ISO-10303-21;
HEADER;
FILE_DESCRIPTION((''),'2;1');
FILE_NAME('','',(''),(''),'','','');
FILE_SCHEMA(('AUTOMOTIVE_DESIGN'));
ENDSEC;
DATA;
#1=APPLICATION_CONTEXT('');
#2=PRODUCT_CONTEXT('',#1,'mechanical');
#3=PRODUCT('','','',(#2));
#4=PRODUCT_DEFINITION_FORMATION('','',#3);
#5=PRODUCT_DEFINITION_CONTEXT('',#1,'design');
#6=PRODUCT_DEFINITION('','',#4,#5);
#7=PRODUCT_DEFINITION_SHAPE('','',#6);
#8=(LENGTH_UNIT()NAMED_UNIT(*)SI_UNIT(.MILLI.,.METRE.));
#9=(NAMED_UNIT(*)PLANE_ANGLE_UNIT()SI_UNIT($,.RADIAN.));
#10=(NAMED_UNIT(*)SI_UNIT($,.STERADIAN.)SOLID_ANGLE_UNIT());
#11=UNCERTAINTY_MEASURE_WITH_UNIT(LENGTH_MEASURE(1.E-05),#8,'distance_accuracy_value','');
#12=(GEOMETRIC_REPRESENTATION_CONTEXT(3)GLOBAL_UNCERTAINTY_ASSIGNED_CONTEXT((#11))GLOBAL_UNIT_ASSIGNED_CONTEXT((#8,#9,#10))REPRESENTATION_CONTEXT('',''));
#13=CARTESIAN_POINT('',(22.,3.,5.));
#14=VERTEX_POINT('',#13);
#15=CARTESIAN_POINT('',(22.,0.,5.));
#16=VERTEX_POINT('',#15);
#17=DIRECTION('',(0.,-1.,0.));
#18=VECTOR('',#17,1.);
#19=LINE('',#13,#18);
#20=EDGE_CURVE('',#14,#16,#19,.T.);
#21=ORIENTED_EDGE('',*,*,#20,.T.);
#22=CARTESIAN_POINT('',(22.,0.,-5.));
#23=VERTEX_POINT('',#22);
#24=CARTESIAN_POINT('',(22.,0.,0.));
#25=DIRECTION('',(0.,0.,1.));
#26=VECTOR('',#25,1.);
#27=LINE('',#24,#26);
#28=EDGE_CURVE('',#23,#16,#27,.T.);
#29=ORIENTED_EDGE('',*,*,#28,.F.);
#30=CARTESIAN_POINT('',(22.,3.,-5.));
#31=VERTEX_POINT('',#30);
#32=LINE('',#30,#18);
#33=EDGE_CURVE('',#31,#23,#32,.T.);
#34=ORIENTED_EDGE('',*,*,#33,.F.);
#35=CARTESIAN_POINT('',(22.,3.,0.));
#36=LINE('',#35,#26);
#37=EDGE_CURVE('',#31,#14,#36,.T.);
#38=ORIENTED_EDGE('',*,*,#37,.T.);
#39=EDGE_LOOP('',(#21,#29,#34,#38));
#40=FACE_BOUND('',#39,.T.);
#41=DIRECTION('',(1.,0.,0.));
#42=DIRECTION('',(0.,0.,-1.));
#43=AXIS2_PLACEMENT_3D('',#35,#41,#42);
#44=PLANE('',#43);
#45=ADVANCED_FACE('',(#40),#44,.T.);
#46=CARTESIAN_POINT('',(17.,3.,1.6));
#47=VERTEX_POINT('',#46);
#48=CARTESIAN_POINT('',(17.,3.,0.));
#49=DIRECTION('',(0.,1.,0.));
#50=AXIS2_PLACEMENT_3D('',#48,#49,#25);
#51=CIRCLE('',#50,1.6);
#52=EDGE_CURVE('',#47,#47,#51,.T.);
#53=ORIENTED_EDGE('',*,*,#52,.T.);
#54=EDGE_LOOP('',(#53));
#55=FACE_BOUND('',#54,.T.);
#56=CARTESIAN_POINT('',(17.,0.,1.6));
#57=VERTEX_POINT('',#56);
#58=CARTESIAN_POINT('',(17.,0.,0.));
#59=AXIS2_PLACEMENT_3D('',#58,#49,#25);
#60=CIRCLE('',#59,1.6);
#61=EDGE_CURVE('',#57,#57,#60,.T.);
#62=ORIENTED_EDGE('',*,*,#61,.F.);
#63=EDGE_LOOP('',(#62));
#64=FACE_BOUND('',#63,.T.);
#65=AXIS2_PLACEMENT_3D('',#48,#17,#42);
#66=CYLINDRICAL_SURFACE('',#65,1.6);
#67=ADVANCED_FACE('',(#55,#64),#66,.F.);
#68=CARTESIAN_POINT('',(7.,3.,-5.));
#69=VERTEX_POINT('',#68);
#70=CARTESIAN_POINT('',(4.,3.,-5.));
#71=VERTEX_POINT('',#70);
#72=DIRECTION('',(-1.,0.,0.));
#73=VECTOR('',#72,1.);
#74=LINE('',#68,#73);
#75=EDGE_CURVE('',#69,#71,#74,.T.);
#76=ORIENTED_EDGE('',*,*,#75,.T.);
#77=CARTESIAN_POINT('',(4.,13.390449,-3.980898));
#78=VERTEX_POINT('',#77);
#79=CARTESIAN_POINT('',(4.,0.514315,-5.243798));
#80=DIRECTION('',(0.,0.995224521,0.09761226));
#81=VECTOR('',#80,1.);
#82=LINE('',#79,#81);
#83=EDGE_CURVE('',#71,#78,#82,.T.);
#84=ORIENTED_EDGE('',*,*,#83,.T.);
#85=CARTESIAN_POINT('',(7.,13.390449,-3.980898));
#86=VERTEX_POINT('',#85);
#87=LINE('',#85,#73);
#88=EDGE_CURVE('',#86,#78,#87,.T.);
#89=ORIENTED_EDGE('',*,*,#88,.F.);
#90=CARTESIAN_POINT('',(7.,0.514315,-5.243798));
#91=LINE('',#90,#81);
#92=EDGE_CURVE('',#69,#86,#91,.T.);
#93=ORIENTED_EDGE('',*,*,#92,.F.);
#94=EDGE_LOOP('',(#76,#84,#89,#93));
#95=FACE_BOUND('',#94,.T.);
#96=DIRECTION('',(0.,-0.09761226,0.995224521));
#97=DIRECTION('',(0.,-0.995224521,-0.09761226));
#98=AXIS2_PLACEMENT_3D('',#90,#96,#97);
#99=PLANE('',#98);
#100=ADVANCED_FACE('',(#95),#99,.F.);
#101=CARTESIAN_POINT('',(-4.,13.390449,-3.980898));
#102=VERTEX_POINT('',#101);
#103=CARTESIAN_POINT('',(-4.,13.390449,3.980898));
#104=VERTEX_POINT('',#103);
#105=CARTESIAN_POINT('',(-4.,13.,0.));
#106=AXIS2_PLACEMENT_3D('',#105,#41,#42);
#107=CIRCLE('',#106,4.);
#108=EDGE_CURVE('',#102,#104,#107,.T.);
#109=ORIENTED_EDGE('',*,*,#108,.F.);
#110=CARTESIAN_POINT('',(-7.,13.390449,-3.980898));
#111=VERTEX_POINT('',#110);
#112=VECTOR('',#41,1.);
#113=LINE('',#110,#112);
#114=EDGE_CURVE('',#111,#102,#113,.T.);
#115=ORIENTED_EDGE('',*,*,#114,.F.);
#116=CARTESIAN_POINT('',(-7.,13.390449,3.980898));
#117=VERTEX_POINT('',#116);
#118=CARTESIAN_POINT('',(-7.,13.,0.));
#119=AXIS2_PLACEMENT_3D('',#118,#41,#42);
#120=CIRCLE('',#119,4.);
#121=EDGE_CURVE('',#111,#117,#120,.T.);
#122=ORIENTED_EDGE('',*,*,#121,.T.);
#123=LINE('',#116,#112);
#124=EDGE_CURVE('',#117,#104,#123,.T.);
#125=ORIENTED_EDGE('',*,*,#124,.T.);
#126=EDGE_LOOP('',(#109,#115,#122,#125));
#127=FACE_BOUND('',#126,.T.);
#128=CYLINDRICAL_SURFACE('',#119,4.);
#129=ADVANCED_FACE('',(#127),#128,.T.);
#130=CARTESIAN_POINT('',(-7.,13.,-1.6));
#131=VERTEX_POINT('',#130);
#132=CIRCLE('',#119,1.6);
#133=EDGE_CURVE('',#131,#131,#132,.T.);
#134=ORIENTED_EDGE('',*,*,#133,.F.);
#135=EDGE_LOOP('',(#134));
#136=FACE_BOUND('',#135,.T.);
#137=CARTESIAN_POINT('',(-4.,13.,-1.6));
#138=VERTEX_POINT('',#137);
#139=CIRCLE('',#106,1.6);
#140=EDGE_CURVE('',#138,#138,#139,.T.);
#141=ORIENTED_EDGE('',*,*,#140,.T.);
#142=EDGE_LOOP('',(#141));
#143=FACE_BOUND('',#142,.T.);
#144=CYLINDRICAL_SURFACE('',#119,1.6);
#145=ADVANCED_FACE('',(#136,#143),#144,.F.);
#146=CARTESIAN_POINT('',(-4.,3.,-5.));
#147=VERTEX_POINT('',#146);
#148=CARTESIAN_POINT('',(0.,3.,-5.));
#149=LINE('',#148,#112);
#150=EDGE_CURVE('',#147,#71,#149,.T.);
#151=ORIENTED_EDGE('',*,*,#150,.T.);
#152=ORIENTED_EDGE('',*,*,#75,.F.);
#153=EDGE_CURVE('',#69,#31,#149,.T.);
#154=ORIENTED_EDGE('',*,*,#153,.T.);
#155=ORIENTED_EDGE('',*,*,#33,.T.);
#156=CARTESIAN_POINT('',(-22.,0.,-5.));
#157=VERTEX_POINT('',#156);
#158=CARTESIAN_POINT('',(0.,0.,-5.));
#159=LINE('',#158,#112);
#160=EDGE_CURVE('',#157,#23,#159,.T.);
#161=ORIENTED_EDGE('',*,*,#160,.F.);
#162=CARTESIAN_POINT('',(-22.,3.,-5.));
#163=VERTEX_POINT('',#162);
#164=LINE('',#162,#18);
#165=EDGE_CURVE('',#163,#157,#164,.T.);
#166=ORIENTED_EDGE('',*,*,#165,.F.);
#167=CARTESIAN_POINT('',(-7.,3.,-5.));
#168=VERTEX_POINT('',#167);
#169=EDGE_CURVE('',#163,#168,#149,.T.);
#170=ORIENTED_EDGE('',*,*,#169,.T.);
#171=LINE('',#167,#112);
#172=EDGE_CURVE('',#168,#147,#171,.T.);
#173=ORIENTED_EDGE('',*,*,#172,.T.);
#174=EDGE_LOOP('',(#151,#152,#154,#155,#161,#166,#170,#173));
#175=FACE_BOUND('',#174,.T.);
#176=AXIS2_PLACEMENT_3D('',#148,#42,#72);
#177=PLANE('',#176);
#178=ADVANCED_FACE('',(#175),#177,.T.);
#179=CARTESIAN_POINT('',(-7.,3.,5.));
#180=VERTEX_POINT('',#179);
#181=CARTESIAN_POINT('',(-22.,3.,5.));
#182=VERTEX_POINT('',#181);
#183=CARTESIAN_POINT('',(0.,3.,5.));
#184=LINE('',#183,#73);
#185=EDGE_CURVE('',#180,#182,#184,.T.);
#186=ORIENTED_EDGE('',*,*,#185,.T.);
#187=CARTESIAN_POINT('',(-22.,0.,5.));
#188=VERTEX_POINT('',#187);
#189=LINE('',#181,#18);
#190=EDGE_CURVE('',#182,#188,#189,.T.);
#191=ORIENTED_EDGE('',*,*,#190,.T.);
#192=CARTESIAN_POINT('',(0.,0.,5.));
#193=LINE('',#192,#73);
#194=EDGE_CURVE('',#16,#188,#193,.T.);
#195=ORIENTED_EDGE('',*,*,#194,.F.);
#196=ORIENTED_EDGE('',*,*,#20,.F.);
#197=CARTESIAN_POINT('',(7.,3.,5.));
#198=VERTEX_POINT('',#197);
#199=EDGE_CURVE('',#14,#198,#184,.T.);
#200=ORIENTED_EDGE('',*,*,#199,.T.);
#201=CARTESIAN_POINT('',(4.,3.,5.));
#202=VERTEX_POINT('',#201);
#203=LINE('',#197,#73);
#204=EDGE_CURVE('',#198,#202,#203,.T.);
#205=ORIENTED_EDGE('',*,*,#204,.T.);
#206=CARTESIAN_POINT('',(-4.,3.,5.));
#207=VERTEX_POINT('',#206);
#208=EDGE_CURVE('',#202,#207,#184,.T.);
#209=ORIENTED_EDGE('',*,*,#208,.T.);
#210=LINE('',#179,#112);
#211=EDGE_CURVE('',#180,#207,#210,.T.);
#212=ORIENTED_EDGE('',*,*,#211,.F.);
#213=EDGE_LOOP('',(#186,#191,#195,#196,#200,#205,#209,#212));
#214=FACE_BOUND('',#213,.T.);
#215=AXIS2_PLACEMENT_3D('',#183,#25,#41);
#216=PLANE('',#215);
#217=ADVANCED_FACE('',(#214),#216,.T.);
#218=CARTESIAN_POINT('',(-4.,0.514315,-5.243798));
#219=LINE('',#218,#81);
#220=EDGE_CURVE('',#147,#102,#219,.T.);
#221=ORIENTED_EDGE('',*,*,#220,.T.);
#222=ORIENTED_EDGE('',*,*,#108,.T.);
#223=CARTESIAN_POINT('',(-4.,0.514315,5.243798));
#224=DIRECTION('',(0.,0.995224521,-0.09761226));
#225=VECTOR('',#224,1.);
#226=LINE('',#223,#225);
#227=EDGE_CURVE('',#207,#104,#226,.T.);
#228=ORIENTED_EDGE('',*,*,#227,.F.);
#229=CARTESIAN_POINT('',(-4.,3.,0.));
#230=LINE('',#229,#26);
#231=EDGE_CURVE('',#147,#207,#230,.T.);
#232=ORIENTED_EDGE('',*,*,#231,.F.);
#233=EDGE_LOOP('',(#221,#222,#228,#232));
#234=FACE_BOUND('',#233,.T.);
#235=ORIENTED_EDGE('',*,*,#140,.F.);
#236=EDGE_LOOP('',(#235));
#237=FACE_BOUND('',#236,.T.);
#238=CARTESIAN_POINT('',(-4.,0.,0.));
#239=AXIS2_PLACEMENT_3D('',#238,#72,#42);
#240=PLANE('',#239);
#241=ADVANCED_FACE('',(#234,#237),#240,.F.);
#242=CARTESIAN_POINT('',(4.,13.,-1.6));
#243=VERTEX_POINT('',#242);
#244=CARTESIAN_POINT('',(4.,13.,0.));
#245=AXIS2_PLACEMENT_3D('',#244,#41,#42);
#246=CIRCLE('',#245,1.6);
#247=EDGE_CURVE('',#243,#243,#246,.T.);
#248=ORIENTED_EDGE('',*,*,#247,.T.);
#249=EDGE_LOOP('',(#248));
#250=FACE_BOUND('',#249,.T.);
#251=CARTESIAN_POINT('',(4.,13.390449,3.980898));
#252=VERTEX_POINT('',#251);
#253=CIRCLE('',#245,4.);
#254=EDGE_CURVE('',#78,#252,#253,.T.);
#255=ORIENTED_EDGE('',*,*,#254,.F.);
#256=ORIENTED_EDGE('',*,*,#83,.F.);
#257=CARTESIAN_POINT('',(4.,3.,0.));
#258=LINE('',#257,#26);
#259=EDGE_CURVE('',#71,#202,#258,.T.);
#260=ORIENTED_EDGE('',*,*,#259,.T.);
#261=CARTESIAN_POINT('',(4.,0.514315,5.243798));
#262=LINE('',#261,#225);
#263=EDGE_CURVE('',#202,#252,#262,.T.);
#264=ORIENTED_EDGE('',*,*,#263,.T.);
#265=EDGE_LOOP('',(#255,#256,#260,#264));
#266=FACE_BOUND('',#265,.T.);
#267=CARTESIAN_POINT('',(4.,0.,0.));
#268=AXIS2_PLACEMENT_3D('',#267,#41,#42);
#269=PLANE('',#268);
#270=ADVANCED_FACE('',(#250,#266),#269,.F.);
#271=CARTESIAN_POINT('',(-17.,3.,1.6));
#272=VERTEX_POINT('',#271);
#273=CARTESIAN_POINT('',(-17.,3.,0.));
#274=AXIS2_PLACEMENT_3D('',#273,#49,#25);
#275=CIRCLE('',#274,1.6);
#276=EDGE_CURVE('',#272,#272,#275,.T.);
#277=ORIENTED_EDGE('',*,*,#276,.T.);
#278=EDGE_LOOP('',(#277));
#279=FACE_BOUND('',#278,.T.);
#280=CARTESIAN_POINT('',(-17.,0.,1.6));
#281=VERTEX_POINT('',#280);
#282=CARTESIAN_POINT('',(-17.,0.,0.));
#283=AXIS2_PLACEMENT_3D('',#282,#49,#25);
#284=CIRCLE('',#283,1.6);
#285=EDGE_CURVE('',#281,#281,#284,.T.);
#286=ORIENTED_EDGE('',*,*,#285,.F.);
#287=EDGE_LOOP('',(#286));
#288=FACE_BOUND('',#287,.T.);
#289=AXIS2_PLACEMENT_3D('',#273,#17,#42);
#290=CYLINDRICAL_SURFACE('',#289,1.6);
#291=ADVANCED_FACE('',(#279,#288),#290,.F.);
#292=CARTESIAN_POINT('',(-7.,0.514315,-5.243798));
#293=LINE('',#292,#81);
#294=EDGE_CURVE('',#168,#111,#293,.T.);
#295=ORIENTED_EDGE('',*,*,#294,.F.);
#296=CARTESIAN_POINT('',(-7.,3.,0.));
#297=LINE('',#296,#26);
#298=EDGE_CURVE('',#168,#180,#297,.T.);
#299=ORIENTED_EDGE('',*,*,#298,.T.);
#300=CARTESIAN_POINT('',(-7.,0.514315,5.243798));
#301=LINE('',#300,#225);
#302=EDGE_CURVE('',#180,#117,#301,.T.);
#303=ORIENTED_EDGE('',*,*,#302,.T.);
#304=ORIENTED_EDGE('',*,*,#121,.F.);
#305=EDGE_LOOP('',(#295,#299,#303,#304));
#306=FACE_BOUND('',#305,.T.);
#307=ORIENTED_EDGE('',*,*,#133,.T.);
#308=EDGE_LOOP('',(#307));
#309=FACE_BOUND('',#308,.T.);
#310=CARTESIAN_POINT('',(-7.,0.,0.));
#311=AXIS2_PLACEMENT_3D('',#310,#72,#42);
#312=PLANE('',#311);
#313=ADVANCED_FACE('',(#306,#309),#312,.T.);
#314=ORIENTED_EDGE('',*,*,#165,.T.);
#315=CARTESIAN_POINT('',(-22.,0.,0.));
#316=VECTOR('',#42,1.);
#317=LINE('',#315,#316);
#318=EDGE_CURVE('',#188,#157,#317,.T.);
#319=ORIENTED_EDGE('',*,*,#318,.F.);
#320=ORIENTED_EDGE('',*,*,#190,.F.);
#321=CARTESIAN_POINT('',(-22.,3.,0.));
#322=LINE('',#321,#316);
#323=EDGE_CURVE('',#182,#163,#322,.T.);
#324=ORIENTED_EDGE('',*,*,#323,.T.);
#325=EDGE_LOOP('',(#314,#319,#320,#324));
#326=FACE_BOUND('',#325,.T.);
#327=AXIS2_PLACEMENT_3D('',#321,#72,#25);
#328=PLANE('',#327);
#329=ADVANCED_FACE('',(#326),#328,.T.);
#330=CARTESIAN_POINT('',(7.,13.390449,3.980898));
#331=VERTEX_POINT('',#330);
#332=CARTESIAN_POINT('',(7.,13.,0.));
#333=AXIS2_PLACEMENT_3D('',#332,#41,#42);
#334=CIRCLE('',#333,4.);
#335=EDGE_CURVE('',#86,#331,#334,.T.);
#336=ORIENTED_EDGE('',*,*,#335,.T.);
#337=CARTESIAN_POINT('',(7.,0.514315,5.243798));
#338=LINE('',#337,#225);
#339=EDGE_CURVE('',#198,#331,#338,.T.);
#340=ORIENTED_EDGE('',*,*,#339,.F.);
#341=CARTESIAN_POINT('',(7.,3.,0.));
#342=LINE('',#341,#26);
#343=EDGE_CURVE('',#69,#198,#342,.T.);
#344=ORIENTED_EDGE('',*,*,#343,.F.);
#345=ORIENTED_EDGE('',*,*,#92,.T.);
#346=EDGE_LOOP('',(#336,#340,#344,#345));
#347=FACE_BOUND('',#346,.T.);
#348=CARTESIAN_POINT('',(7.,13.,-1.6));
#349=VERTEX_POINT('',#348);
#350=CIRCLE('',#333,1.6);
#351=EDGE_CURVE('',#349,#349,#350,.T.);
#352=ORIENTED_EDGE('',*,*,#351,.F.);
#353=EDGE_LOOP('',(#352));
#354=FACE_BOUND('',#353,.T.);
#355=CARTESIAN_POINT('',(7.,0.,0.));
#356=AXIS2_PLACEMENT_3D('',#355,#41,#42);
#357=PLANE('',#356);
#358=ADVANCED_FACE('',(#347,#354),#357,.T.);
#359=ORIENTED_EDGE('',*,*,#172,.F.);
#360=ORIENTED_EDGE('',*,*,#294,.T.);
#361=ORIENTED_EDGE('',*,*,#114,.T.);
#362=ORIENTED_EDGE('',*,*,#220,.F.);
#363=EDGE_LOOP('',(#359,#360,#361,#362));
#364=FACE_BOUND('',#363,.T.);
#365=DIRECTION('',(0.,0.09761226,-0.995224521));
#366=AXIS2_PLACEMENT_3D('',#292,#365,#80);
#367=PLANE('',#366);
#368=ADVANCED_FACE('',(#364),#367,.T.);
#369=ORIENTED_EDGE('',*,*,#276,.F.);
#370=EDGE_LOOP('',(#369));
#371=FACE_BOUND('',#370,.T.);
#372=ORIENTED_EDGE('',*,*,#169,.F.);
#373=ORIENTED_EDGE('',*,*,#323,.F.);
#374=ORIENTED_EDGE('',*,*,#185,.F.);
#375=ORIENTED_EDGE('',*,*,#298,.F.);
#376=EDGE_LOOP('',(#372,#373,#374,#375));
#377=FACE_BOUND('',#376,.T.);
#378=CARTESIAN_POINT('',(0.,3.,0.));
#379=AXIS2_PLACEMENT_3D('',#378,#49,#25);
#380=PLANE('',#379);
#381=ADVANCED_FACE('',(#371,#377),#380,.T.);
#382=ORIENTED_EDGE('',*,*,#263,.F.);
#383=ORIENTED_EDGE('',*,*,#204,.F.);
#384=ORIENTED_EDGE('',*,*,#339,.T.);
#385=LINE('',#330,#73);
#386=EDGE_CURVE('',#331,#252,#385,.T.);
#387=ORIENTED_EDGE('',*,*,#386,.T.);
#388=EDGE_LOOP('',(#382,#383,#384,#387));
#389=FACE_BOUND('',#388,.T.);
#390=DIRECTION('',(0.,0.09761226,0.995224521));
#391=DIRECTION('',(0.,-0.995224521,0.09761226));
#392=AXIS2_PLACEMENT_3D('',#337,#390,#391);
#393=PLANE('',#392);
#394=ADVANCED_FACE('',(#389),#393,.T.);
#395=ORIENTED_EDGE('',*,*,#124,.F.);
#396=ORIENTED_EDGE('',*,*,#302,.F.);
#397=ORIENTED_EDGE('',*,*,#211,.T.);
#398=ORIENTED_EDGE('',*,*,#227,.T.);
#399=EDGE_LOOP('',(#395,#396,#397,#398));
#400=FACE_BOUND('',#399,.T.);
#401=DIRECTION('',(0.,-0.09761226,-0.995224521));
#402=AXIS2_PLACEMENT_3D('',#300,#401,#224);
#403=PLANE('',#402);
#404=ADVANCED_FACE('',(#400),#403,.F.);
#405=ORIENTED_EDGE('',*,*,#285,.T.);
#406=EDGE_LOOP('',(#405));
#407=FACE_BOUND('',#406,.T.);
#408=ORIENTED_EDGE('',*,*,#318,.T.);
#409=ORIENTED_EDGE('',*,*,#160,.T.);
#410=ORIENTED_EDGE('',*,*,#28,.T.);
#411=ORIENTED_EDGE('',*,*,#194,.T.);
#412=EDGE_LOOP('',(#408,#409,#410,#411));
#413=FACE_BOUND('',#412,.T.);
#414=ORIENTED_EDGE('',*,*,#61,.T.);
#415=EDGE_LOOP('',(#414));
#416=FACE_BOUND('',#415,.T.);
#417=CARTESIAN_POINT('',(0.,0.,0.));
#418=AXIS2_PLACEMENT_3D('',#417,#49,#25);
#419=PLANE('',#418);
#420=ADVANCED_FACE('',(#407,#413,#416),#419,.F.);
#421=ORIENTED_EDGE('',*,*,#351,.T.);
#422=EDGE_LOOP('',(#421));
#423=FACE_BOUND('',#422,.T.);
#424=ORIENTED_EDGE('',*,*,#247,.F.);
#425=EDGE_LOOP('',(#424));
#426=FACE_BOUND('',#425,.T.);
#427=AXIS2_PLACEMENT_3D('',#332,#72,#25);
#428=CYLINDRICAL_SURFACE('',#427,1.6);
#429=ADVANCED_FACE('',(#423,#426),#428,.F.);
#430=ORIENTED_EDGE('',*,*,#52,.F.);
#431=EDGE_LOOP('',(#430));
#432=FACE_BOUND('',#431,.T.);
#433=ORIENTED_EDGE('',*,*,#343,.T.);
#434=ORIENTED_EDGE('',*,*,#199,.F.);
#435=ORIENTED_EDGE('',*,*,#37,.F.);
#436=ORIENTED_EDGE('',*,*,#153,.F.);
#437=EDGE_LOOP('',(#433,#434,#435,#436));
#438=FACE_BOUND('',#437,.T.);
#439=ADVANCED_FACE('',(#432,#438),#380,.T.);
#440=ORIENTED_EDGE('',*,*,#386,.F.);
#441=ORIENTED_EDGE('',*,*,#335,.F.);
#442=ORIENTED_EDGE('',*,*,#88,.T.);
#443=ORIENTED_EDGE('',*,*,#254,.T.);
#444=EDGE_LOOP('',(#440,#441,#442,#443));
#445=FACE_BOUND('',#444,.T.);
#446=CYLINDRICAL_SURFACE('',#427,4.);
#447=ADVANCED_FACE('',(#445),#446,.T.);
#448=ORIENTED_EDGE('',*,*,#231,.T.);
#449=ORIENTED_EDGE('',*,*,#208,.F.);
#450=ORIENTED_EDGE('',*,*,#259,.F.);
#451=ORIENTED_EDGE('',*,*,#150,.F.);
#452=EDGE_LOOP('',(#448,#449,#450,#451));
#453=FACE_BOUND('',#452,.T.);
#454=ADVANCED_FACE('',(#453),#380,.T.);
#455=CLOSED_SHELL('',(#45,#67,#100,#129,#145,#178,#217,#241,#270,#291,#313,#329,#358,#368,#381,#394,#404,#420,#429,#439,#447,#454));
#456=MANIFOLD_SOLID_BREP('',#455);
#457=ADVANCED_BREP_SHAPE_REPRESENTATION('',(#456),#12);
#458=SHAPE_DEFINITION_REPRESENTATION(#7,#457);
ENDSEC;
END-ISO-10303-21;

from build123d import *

# Parameters (mm, degrees)
SKETCH_1_W      = 44
SKETCH_1_H      = 10
SKETCH_1_R      = 1.6
EXTRUDE_1_DEPTH = 3
SKETCH_2_R      = 4
SKETCH_2_R_2    = 1.6
EXTRUDE_2_DEPTH = 3


with BuildPart() as part:
    # 草图1 → 凸台-拉伸1 (new body)
    with BuildSketch(Plane(origin=(0, 0, 0), x_dir=(1, 0, 0), z_dir=(0, 1, 0))):
        Rectangle(SKETCH_1_W, SKETCH_1_H)
        with Locations((17, 0)):
            Circle(SKETCH_1_R, mode=Mode.SUBTRACT)
        with Locations((-17, 0)):
            Circle(SKETCH_1_R, mode=Mode.SUBTRACT)
    extrude(amount=EXTRUDE_1_DEPTH)

    # 草图2 → 凸台-拉伸2 (add)
    with BuildSketch(Plane(origin=(4, 0, 0), x_dir=(0, 0, -1), z_dir=(1, 0, 0))):
        with BuildLine():
            Line((-5, 3), (5, 3))
            Line((5, 3), (3.980898083, 13.390449041))
            ThreePointArc((3.980898083, 13.390449041), (3.995221667, 13.195458012), (4, 13))
            ThreePointArc((4, 13), (-0.195458012, 9.004778333), (-3.980898083, 13.390449041))
            Line((-3.980898083, 13.390449041), (-5, 3))
        make_face()
        with Locations((0, 13)):
            Circle(SKETCH_2_R)
        with Locations((0, 13)):
            Circle(SKETCH_2_R_2, mode=Mode.SUBTRACT)
    extrude_2 = extrude(amount=EXTRUDE_2_DEPTH)

    # 镜向1: 凸台-拉伸2 across plane
    add(extrude_2.mirror(Plane(origin=(0, 0, 0), x_dir=(0, 0, 1), z_dir=(1, 0, 0))))


solid = part.part
